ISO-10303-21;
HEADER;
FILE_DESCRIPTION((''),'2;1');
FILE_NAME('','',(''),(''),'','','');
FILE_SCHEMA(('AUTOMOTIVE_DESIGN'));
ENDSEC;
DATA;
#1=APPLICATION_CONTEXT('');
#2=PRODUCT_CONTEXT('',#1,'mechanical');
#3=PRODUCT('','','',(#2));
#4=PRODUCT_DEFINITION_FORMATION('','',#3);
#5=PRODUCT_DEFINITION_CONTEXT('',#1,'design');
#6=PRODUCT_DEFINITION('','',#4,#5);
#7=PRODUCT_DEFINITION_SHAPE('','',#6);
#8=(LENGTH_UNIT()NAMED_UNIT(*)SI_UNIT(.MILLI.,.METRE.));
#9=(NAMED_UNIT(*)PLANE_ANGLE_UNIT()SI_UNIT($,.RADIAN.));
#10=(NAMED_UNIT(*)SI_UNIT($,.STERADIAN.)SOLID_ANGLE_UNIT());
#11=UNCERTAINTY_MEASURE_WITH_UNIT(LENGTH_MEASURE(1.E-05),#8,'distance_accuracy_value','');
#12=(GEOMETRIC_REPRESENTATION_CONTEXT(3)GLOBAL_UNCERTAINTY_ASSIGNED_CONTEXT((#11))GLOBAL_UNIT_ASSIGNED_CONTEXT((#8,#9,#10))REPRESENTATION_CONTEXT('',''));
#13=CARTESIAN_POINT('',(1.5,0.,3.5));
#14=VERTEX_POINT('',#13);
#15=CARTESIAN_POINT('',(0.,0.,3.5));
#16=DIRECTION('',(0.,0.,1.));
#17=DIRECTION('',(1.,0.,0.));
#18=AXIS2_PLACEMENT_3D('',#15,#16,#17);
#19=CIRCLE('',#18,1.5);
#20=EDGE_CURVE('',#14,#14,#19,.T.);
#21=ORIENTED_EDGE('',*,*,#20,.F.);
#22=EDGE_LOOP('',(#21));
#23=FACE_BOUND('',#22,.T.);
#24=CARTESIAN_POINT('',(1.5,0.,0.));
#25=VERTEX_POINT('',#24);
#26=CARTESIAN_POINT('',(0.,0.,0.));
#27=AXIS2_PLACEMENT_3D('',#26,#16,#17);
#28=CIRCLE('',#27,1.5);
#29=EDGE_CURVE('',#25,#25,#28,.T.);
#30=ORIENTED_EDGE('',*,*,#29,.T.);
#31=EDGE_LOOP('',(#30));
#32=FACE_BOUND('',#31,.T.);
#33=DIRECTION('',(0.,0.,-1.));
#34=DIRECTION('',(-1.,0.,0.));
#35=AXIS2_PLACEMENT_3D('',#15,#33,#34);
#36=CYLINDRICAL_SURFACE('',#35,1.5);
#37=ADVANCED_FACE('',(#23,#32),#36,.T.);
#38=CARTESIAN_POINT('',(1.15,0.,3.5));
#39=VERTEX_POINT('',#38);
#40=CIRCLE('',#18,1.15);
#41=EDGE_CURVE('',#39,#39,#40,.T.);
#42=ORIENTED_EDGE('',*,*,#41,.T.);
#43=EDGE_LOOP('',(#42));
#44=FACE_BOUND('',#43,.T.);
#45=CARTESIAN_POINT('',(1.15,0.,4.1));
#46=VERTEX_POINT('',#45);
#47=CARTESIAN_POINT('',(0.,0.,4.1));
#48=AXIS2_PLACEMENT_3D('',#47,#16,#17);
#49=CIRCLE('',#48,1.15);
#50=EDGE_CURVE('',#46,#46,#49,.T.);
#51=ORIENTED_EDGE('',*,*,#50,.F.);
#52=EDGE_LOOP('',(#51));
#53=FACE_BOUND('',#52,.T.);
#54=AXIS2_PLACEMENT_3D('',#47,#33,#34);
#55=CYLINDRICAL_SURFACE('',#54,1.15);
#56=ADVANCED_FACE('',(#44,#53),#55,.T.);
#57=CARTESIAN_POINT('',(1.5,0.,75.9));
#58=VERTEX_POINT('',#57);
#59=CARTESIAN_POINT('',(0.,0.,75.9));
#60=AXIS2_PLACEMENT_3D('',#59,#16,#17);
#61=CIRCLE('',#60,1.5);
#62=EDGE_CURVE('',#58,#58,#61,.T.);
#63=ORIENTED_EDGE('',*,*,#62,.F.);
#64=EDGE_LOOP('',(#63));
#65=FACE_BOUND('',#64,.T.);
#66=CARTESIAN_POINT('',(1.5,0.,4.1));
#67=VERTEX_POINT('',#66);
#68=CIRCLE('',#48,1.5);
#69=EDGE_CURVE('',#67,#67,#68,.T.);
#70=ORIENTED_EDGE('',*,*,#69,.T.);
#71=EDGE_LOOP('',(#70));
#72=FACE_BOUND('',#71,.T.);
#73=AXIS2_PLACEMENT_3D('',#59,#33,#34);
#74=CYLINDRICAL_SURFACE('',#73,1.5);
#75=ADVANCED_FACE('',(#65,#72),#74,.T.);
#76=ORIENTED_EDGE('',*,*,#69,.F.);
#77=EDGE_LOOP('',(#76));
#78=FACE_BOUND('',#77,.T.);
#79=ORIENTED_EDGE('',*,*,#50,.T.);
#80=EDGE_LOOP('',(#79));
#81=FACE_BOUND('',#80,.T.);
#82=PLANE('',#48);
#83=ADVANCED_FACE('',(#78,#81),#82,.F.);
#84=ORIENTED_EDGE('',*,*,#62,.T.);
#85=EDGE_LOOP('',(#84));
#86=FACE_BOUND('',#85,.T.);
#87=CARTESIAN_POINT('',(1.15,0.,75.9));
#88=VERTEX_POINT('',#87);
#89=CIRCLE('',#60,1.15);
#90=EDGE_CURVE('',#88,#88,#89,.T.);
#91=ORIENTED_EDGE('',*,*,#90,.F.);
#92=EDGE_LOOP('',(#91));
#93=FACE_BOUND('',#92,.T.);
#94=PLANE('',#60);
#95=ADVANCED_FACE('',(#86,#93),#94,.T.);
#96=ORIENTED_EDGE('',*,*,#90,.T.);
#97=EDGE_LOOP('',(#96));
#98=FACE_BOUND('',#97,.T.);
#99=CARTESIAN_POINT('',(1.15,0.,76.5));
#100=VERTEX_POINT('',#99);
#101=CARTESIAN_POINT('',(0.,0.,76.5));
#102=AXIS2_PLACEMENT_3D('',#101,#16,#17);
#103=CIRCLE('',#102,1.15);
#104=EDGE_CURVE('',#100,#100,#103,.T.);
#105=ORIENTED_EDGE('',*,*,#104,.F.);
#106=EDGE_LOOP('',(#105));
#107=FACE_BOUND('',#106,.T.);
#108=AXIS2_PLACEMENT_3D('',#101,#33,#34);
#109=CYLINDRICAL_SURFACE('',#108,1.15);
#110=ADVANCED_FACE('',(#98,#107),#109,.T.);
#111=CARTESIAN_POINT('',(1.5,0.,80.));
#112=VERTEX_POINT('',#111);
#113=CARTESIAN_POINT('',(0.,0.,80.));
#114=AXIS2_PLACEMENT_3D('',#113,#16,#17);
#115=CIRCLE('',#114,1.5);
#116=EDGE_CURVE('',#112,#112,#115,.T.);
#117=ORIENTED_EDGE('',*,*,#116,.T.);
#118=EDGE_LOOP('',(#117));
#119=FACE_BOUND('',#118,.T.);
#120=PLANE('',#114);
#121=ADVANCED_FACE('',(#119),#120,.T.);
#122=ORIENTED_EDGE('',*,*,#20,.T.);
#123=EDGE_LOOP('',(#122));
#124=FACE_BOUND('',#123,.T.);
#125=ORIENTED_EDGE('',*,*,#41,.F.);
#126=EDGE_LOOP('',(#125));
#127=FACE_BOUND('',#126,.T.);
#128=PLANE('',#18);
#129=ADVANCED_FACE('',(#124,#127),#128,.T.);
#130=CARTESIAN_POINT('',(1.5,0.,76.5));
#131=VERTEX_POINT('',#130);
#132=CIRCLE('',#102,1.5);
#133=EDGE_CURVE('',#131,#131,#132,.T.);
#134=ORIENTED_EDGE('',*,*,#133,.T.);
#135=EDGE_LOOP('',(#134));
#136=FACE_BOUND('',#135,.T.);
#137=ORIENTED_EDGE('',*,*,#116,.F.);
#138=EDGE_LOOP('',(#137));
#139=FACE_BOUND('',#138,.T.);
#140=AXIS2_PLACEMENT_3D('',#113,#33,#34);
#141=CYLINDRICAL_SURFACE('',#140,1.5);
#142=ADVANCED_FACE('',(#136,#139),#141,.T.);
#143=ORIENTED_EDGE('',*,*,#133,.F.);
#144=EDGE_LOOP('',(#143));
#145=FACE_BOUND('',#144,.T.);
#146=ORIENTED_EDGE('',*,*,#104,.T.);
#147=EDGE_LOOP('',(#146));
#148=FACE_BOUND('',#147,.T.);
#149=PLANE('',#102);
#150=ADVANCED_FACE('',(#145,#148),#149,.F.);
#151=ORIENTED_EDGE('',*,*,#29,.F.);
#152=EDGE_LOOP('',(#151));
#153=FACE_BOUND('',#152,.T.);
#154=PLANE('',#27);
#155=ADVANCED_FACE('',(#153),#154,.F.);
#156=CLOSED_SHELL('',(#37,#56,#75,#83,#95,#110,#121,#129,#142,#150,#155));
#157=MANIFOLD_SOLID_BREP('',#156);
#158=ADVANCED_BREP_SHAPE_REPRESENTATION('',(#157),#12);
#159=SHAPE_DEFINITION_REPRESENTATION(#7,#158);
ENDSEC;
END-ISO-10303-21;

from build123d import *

# Parameters (mm, degrees)
SKETCH_1_R      = 1.5
EXTRUDE_1_DEPTH = 3.5
SKETCH_2_R      = 1.15
EXTRUDE_2_DEPTH = 0.6
SKETCH_3_R      = 1.5
EXTRUDE_3_DEPTH = 71.8
SKETCH_4_R      = 1.15
EXTRUDE_4_DEPTH = 0.6
SKETCH_5_R      = 1.5
EXTRUDE_5_DEPTH = 3.5


with BuildPart() as part:
    # 草图1 → 凸台-拉伸1 (new body)
    with BuildSketch(Plane.XY):
        Circle(SKETCH_1_R)
    extrude(amount=EXTRUDE_1_DEPTH)

    # 草图2 → 凸台-拉伸2 (add)
    with BuildSketch(Plane.XY.offset(3.5)):
        Circle(SKETCH_2_R)
    extrude(amount=EXTRUDE_2_DEPTH)

    # 草图3 → 凸台-拉伸3 (add)
    with BuildSketch(Plane.XY.offset(4.1)):
        Circle(SKETCH_3_R)
    extrude(amount=EXTRUDE_3_DEPTH)

    # 草图4 → 凸台-拉伸4 (add)
    with BuildSketch(Plane.XY.offset(75.9)):
        Circle(SKETCH_4_R)
    extrude(amount=EXTRUDE_4_DEPTH)

    # 草图5 → 凸台-拉伸5 (add)
    with BuildSketch(Plane.XY.offset(76.5)):
        Circle(SKETCH_5_R)
    extrude(amount=EXTRUDE_5_DEPTH)


solid = part.part
